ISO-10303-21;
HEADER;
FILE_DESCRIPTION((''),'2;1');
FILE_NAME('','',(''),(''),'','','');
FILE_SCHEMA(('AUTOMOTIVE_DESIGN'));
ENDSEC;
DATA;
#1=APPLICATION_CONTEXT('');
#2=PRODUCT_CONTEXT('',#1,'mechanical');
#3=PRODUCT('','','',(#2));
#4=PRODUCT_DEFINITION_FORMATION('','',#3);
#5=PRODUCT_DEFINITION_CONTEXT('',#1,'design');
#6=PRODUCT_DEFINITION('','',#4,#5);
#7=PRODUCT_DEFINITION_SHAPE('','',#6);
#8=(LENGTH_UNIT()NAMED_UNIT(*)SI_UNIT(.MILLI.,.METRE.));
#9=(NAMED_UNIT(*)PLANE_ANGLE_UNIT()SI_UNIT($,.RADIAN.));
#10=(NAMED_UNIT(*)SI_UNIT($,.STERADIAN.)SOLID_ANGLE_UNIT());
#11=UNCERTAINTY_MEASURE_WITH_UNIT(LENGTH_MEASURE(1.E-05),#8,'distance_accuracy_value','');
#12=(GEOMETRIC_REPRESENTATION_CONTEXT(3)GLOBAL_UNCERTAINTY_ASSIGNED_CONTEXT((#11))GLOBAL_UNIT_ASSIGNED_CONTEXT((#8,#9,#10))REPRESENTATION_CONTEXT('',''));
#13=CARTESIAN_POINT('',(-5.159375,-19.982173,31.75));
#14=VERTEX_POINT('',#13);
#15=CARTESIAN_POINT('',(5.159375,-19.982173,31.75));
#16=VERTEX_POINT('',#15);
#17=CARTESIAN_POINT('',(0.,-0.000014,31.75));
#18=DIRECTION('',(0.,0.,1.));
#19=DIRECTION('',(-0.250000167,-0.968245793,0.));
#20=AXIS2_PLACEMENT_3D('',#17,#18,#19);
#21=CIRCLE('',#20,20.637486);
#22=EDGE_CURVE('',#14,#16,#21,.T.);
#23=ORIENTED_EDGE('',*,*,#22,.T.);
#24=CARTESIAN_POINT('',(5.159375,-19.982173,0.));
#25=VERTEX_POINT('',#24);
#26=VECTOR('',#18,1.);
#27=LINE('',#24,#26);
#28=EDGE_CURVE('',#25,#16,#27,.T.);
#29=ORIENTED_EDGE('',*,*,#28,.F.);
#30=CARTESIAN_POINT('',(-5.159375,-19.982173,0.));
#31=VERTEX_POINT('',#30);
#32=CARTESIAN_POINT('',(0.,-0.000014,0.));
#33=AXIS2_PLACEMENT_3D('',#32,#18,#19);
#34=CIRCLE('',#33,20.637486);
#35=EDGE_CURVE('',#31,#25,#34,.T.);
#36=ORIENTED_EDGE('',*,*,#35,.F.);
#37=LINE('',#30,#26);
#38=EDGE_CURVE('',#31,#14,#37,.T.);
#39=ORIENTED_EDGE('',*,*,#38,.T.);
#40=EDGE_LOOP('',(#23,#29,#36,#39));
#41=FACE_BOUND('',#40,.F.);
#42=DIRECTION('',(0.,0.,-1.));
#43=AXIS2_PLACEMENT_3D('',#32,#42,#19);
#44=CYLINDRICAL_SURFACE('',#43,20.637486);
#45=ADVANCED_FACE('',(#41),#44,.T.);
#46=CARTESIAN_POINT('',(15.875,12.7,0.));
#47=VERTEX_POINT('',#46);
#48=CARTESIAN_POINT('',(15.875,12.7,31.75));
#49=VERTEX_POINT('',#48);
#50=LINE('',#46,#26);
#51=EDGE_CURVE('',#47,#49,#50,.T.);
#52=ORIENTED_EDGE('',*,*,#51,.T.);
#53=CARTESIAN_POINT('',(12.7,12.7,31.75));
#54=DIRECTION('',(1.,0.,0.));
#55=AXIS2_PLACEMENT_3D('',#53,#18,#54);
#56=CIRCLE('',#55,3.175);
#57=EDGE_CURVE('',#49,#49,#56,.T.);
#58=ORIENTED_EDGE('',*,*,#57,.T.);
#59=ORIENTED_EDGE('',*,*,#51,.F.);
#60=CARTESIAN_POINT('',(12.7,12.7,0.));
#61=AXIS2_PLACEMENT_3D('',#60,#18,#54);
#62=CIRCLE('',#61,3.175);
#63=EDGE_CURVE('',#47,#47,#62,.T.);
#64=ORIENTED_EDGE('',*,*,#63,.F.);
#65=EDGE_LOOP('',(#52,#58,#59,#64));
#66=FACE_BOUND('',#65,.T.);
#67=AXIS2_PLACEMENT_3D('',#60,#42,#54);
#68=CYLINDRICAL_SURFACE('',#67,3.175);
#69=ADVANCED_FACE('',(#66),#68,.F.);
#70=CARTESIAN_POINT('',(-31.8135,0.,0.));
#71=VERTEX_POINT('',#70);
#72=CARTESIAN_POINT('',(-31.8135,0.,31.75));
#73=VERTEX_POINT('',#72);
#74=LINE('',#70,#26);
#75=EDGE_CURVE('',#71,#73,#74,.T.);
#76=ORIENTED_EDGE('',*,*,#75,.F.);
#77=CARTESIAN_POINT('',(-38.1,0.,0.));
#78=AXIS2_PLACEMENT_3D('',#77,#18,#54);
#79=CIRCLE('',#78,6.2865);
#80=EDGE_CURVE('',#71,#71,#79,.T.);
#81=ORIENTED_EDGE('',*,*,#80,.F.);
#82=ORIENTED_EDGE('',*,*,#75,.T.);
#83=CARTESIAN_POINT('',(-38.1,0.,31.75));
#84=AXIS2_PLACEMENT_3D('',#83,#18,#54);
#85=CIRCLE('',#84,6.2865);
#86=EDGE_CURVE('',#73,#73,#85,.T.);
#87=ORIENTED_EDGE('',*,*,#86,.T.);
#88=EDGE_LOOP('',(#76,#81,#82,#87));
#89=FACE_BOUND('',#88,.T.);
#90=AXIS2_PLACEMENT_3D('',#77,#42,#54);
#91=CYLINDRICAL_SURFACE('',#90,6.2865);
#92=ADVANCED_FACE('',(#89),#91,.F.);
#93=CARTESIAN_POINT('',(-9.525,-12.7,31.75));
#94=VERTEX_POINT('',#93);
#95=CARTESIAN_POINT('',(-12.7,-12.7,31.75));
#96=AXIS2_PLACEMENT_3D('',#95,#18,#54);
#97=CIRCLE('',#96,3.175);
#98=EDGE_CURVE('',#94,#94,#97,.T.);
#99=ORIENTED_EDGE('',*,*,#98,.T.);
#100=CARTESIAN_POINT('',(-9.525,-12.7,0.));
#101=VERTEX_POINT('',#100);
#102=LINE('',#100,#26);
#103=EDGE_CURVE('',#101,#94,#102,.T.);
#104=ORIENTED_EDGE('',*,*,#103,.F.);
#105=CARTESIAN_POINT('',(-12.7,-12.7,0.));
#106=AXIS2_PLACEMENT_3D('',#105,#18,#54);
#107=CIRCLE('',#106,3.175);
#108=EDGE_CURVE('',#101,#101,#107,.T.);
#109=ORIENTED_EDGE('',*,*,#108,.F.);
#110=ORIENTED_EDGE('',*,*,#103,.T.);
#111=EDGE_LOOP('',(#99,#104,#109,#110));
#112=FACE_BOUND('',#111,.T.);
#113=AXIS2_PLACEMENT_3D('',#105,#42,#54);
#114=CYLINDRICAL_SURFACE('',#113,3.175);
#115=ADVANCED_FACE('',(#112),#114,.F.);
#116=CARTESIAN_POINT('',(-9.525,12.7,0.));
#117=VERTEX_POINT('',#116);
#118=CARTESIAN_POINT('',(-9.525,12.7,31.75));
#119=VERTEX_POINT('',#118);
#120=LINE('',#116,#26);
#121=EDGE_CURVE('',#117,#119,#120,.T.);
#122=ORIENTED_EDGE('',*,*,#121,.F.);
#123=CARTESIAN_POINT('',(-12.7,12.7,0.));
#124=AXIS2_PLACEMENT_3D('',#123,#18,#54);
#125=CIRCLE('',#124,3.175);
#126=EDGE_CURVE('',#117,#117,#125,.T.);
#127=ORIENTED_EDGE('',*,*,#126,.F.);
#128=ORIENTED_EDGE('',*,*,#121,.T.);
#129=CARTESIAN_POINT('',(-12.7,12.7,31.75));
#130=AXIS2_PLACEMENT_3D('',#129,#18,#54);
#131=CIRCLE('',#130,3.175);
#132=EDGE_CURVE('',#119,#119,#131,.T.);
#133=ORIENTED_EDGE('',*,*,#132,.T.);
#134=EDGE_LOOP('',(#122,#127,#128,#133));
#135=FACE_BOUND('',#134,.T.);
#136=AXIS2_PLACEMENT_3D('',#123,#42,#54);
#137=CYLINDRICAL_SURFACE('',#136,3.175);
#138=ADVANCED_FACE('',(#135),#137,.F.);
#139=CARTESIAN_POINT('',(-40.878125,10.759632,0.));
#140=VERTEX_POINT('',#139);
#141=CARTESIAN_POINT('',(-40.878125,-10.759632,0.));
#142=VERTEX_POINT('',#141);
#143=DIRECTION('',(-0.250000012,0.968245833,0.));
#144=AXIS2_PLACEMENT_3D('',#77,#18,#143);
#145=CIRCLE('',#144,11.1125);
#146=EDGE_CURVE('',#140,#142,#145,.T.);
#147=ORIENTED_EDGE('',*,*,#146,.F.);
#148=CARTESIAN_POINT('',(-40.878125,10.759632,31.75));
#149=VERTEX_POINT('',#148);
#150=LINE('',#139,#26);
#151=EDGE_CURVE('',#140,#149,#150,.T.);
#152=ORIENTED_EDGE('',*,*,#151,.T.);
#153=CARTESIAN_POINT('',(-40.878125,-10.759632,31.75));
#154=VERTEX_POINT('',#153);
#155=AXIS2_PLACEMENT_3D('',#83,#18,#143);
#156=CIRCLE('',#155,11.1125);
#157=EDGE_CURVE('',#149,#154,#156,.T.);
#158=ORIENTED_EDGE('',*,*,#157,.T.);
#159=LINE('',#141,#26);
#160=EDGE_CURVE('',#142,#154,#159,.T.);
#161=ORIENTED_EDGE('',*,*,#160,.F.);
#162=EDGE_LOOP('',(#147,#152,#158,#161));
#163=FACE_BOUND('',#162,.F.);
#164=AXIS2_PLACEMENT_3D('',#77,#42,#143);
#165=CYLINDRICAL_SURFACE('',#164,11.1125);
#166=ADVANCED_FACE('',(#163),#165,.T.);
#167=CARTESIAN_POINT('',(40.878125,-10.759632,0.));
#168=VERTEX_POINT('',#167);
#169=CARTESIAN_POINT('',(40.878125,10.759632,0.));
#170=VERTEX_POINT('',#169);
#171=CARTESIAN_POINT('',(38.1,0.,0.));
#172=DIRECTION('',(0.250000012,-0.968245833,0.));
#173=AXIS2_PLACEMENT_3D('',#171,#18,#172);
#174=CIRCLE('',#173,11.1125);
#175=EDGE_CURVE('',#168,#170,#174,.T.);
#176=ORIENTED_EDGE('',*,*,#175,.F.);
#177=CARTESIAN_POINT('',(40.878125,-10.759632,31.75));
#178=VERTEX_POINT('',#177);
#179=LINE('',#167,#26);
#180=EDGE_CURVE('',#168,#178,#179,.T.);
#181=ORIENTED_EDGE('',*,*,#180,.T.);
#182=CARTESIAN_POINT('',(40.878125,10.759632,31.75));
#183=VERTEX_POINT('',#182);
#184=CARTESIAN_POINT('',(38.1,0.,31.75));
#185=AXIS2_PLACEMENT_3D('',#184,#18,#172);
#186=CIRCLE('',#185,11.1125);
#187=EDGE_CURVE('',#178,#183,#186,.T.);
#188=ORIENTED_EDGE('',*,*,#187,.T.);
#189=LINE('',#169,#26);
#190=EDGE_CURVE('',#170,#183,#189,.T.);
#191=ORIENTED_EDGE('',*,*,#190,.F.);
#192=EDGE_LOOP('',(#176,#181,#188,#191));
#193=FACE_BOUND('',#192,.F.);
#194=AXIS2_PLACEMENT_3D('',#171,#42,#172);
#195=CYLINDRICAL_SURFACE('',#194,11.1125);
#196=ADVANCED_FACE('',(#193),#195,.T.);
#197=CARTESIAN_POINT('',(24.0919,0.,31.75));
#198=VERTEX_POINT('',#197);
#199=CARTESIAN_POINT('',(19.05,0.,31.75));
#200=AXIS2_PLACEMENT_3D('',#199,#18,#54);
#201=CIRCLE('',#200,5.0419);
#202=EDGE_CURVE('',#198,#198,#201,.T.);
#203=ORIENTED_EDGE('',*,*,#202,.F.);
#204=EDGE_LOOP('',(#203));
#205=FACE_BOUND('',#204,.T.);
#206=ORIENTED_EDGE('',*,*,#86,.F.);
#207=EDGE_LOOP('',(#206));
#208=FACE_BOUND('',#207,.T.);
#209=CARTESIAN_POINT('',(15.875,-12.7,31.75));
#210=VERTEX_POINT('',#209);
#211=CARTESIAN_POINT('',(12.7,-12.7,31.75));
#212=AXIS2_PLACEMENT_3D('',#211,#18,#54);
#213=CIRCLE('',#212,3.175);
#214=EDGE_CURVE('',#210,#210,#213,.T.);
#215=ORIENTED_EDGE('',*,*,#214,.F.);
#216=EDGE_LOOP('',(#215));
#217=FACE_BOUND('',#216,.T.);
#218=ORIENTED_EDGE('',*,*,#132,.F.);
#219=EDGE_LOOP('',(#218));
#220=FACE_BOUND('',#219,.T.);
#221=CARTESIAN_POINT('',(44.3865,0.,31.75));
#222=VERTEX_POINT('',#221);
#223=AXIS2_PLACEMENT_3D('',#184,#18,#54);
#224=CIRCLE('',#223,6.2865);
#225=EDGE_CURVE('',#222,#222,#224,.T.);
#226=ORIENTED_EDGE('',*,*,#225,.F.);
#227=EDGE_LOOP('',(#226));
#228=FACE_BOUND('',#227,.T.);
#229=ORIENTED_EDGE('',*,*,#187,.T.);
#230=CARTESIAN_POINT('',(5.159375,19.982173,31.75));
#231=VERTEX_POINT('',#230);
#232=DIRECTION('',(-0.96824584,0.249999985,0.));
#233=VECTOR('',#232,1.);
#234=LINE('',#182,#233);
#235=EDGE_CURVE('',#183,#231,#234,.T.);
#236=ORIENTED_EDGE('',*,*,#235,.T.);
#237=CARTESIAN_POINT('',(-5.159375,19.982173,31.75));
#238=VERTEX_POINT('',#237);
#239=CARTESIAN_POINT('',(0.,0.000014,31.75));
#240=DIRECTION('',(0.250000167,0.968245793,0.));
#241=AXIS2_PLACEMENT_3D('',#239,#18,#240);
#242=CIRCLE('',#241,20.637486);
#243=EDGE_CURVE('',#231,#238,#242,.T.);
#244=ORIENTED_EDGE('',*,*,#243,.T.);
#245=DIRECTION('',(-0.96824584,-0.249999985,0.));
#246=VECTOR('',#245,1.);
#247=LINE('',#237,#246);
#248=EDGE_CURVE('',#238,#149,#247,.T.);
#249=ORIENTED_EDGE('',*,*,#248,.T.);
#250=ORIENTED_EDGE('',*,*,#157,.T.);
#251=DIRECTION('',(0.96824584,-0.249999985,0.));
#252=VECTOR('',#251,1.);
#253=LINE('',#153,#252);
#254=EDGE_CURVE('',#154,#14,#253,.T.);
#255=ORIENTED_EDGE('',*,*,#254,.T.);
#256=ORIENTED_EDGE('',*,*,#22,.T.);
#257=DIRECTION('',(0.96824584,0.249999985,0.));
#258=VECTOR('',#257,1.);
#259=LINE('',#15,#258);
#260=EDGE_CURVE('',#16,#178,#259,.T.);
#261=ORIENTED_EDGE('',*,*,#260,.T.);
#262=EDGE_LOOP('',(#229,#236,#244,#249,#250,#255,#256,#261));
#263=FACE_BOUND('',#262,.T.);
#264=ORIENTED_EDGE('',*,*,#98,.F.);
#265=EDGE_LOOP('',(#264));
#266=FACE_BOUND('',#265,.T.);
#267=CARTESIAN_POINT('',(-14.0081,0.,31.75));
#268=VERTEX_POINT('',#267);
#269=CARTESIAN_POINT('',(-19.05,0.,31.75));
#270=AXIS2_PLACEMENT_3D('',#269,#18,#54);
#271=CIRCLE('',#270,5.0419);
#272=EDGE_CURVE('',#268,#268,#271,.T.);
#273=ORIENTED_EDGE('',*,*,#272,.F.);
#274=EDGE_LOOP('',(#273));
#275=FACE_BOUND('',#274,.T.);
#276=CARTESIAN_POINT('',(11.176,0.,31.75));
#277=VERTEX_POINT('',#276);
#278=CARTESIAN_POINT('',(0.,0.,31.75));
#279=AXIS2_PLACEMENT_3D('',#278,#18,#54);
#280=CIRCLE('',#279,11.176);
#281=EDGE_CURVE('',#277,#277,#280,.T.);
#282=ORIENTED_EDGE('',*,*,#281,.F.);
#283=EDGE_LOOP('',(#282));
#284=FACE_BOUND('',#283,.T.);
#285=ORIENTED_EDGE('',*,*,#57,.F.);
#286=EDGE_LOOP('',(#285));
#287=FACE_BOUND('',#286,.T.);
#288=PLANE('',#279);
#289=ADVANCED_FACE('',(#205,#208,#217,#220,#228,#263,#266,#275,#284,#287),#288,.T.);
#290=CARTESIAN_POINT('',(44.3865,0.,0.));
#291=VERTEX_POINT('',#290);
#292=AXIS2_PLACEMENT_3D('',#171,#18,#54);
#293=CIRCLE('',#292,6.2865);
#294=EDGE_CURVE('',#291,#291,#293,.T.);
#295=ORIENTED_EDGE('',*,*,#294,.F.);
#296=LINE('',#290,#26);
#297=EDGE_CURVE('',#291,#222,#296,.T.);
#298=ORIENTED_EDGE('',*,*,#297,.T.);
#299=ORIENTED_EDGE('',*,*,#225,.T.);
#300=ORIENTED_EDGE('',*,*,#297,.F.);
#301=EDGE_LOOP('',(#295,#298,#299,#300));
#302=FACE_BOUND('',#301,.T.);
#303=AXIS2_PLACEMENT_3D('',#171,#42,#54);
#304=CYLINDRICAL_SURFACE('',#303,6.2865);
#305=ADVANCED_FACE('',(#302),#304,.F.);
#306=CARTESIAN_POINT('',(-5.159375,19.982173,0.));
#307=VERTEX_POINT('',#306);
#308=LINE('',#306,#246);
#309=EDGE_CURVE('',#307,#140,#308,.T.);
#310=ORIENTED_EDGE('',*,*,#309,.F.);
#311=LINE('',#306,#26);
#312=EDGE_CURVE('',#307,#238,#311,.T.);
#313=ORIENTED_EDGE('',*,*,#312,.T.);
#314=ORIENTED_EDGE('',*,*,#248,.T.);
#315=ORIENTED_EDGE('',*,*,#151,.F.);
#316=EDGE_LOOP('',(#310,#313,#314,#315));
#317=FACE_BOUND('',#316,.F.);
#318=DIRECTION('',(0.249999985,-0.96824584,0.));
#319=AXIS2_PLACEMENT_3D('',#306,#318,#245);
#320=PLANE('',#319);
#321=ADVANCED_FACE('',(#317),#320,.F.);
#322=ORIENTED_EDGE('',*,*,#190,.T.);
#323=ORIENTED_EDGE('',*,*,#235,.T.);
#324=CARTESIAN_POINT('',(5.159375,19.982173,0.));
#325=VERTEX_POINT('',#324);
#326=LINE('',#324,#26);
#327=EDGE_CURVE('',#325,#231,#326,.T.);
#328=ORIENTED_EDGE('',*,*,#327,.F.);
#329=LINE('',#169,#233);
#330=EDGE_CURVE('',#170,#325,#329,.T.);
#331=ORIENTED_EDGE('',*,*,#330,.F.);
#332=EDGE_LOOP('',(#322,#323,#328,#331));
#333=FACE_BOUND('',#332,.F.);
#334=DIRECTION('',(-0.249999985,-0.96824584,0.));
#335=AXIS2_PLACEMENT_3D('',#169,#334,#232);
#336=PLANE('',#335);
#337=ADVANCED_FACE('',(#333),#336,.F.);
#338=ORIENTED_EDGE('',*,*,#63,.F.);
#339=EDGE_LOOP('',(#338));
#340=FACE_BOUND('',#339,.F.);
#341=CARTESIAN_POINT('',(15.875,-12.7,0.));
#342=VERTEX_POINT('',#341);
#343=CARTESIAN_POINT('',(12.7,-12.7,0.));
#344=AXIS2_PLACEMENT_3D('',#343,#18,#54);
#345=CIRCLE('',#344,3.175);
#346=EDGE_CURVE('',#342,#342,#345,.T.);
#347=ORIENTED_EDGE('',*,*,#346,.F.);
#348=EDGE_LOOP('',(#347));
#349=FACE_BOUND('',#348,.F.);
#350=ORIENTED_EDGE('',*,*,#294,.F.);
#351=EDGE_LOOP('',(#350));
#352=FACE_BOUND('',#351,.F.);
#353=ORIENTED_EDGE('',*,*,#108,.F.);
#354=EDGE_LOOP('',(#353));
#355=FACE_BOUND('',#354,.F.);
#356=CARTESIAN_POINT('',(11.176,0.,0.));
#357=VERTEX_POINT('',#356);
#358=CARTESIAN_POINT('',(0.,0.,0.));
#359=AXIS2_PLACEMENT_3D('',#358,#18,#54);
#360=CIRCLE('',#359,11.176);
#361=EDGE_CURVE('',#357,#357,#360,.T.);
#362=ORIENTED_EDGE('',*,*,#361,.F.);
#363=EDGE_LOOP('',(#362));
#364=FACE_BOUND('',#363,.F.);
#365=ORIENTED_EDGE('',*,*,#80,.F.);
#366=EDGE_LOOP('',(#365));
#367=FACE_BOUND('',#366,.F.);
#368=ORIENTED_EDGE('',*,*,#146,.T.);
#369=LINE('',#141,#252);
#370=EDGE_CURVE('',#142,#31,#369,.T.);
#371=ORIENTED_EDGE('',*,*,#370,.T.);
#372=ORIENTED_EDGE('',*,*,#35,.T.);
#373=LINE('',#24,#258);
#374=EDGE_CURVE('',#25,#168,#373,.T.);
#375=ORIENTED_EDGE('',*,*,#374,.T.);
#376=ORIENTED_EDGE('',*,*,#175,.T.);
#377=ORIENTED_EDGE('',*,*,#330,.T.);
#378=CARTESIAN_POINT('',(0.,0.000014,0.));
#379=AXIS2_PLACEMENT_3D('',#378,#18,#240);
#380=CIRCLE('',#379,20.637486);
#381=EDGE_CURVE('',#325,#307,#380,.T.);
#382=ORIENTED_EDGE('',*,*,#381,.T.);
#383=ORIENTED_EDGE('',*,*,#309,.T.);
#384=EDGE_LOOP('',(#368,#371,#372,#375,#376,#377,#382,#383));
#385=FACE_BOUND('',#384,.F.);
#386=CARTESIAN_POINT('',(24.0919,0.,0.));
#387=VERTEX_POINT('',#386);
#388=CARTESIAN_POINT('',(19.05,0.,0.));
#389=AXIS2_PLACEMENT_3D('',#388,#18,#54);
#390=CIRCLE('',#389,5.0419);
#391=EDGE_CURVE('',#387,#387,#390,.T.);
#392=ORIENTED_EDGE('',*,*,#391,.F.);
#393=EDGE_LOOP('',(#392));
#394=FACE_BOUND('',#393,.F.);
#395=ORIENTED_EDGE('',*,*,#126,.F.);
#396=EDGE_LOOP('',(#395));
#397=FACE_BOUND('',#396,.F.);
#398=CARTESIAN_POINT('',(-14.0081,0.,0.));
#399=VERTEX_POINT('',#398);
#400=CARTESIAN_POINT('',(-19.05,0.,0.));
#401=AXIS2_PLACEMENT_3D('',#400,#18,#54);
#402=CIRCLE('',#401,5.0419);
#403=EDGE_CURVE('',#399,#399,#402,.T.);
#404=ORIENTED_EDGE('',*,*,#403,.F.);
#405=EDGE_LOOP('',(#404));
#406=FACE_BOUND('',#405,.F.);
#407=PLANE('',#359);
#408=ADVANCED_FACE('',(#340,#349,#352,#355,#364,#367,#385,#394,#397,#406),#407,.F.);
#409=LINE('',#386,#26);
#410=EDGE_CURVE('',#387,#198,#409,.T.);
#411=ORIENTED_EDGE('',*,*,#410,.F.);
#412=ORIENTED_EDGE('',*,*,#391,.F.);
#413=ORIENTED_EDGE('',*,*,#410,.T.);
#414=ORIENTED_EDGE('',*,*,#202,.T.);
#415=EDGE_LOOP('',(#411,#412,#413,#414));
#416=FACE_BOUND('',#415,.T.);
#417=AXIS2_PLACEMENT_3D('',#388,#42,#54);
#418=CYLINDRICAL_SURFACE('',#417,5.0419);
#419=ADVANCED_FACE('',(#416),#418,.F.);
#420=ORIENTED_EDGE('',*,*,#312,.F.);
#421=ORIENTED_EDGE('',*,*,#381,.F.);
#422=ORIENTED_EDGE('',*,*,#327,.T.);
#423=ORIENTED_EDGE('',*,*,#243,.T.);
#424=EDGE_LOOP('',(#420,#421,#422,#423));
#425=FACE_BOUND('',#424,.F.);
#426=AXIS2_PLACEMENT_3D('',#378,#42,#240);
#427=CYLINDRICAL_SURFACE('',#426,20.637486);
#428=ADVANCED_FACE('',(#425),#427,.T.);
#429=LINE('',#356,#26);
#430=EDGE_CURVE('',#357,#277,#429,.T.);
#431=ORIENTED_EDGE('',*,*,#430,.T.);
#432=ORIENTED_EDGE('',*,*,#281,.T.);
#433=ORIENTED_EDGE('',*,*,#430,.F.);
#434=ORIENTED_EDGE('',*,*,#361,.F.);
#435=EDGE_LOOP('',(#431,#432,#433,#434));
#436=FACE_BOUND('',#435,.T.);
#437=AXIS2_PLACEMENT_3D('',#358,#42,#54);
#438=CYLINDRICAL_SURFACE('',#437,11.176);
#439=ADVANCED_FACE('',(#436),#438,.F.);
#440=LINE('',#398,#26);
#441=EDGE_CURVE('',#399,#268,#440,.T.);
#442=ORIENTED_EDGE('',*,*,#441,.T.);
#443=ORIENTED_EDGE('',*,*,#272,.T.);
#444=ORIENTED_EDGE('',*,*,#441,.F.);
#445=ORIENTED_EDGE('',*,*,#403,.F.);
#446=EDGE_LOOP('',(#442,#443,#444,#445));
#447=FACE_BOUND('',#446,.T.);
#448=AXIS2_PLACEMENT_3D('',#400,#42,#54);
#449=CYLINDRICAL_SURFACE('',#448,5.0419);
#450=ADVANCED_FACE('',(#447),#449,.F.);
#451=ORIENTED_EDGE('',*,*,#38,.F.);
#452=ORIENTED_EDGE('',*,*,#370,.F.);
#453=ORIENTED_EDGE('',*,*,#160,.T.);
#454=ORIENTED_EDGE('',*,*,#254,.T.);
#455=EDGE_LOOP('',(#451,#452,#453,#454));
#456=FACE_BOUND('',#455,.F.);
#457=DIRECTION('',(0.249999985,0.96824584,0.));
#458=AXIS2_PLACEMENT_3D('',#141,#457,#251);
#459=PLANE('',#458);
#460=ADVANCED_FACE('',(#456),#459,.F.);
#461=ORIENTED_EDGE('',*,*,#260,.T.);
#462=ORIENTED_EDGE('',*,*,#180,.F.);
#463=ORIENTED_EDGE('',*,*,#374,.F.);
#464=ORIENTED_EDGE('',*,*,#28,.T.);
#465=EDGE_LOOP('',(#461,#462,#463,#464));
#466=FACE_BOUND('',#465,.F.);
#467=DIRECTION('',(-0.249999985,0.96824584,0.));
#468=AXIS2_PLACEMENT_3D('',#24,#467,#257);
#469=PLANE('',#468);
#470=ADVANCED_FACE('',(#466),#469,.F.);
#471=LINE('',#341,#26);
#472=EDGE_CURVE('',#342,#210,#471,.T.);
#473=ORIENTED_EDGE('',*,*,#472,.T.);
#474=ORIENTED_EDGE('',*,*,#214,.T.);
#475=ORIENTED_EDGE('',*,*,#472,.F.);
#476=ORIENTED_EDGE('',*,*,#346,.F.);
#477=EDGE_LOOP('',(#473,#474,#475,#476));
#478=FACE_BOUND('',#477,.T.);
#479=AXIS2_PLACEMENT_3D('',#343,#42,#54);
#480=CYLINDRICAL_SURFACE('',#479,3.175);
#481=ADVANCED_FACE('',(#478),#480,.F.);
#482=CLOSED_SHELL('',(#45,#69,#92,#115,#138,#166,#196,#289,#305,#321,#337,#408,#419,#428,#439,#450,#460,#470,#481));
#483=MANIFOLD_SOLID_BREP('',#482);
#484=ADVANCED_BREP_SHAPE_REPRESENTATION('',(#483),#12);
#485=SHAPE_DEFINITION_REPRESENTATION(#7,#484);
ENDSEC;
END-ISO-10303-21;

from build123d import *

# Parameters (mm, degrees)
F0_R     = 3.175
F0_R_2   = 6.2865
F0_R_3   = 5.0419
F0_R_4   = 11.176
F1_DEPTH = 31.75


with BuildPart() as f1:
    # F0 (on Top) → F1 (new body)
    with BuildSketch(Plane.XY):
        with BuildLine():
            Line((-5.159375, 19.982173), (-40.878125, 10.759632))
            ThreePointArc((-40.878125, 10.759632), (-49.2125, 0), (-40.878125, -10.759632))
            Line((-40.878125, -10.759632), (-5.159375, -19.982173))
            ThreePointArc((-5.159375, -19.982173), (0, -20.6375), (5.159375, -19.982173))
            Line((5.159375, -19.982173), (40.878125, -10.759632))
            ThreePointArc((40.878125, -10.759632), (49.2125, 0), (40.878125, 10.759632))
            Line((40.878125, 10.759632), (5.159375, 19.982173))
            ThreePointArc((5.159375, 19.982173), (0, 20.6375), (-5.159375, 19.982173))
        make_face()
        with Locations((-12.7, -12.7)):
            Circle(F0_R, mode=Mode.SUBTRACT)
        with Locations((12.7, -12.7)):
            Circle(F0_R, mode=Mode.SUBTRACT)
        with Locations((-38.1, 0)):
            Circle(F0_R_2, mode=Mode.SUBTRACT)
        with Locations((-19.05, 0)):
            Circle(F0_R_3, mode=Mode.SUBTRACT)
        with Locations((-12.7, 12.7)):
            Circle(F0_R, mode=Mode.SUBTRACT)
        Circle(F0_R_4, mode=Mode.SUBTRACT)
        with Locations((19.05, 0)):
            Circle(F0_R_3, mode=Mode.SUBTRACT)
        with Locations((38.1, 0)):
            Circle(F0_R_2, mode=Mode.SUBTRACT)
        with Locations((12.7, 12.7)):
            Circle(F0_R, mode=Mode.SUBTRACT)
    extrude(amount=F1_DEPTH)


solid = f1.part
